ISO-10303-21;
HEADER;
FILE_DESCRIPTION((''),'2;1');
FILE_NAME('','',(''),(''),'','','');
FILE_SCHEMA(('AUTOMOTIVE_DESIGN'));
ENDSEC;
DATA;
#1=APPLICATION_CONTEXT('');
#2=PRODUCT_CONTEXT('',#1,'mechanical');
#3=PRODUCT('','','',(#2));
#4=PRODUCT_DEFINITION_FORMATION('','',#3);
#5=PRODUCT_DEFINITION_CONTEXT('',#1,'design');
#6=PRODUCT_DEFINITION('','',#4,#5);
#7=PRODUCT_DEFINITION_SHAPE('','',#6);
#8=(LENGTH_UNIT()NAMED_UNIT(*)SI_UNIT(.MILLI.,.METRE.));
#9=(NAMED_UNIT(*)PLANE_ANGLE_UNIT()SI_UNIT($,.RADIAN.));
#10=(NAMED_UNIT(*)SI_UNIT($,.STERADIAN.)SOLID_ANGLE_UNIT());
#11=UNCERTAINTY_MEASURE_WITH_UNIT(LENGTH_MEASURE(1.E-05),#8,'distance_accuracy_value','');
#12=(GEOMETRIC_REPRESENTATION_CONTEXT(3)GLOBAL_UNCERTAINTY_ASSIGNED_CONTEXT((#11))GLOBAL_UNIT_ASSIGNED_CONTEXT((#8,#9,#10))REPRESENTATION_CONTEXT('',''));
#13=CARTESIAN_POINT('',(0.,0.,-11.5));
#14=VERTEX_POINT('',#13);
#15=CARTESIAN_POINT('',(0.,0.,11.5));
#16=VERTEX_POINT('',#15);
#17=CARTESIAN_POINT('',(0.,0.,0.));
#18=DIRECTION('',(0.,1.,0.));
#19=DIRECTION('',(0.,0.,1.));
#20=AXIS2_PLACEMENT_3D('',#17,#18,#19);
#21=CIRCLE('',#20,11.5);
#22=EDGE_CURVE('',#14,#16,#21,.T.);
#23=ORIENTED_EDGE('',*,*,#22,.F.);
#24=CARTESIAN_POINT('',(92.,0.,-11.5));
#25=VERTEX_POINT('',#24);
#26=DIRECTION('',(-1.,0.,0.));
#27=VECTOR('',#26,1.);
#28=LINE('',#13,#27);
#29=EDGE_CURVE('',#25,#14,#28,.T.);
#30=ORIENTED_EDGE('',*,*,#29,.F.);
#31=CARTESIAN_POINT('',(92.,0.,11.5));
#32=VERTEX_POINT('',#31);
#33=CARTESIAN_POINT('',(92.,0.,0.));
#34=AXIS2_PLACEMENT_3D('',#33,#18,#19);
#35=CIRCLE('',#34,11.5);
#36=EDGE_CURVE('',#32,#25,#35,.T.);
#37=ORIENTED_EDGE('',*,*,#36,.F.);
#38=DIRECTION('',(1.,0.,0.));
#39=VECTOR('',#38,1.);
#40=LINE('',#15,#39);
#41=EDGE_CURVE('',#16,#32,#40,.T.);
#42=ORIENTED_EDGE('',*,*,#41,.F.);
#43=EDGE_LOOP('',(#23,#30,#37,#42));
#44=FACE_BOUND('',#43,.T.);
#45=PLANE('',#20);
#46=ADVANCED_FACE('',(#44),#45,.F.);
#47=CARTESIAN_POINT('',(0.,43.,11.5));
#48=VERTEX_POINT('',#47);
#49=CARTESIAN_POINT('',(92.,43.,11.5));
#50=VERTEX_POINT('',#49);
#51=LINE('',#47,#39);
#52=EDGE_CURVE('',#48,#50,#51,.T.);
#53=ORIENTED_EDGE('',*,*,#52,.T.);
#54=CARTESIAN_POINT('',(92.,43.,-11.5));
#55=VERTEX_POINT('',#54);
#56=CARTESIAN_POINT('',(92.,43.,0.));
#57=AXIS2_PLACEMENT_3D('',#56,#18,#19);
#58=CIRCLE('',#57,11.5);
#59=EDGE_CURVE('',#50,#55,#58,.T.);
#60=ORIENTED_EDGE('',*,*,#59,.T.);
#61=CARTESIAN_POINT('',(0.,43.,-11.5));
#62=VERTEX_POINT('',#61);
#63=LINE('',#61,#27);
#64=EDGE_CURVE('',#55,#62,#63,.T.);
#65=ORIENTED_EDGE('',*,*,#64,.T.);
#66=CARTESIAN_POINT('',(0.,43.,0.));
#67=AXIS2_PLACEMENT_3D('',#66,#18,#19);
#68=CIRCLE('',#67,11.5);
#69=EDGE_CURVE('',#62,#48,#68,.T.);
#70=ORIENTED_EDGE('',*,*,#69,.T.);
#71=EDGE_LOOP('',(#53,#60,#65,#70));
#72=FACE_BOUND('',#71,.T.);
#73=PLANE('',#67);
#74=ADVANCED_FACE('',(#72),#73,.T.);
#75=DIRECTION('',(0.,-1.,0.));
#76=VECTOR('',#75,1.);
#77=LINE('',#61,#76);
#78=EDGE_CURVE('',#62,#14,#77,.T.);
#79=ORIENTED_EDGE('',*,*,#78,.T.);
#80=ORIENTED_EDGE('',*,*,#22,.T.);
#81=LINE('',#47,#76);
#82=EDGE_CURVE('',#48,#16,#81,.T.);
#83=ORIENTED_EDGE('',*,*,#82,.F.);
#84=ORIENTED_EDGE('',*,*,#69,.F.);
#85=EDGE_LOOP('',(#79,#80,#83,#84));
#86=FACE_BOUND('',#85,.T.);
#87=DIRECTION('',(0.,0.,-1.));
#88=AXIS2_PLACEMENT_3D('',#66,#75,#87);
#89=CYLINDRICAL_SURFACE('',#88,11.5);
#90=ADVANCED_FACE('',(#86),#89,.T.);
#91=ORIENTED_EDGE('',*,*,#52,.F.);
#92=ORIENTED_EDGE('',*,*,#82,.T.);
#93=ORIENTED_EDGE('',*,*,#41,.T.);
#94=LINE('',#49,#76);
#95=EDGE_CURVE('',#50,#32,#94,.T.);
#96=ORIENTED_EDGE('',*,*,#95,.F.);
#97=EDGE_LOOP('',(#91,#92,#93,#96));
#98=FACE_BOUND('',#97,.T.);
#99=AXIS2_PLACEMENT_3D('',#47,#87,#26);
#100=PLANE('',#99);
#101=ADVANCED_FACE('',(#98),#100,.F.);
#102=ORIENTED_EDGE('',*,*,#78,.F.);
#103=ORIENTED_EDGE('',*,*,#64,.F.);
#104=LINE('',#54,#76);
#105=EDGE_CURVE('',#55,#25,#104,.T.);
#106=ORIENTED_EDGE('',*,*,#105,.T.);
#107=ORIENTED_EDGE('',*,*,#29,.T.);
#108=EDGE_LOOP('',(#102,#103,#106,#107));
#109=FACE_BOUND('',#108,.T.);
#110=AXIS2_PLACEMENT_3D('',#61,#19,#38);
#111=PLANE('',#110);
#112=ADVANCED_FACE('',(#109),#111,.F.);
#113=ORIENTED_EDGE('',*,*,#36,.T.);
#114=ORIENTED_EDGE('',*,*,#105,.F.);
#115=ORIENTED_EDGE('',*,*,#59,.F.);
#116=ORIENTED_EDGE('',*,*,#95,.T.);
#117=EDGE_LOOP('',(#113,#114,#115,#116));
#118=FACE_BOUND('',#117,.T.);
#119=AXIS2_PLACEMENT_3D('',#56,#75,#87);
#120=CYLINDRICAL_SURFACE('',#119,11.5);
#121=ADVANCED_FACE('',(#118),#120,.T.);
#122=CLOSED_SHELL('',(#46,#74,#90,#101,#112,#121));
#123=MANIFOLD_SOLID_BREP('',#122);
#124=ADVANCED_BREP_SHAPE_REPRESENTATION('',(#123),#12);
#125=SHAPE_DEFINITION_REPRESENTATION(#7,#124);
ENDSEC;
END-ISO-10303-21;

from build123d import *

# Parameters (mm, degrees)
BOSS_EXTRUDE1_DEPTH = 43


with BuildPart() as part:
    # Sketch1 → Boss-Extrude1 (new body)
    with BuildSketch(Plane(origin=(0, 0, 0), x_dir=(1, 0, 0), z_dir=(0, 1, 0))):
        with BuildLine():
            Line((0, 11.5), (92, 11.5))
            ThreePointArc((92, 11.5), (103.5, 0), (92, -11.5))
            Line((92, -11.5), (0, -11.5))
            ThreePointArc((0, -11.5), (-11.5, 0), (0, 11.5))
        make_face()
    extrude(amount=BOSS_EXTRUDE1_DEPTH)


solid = part.part
